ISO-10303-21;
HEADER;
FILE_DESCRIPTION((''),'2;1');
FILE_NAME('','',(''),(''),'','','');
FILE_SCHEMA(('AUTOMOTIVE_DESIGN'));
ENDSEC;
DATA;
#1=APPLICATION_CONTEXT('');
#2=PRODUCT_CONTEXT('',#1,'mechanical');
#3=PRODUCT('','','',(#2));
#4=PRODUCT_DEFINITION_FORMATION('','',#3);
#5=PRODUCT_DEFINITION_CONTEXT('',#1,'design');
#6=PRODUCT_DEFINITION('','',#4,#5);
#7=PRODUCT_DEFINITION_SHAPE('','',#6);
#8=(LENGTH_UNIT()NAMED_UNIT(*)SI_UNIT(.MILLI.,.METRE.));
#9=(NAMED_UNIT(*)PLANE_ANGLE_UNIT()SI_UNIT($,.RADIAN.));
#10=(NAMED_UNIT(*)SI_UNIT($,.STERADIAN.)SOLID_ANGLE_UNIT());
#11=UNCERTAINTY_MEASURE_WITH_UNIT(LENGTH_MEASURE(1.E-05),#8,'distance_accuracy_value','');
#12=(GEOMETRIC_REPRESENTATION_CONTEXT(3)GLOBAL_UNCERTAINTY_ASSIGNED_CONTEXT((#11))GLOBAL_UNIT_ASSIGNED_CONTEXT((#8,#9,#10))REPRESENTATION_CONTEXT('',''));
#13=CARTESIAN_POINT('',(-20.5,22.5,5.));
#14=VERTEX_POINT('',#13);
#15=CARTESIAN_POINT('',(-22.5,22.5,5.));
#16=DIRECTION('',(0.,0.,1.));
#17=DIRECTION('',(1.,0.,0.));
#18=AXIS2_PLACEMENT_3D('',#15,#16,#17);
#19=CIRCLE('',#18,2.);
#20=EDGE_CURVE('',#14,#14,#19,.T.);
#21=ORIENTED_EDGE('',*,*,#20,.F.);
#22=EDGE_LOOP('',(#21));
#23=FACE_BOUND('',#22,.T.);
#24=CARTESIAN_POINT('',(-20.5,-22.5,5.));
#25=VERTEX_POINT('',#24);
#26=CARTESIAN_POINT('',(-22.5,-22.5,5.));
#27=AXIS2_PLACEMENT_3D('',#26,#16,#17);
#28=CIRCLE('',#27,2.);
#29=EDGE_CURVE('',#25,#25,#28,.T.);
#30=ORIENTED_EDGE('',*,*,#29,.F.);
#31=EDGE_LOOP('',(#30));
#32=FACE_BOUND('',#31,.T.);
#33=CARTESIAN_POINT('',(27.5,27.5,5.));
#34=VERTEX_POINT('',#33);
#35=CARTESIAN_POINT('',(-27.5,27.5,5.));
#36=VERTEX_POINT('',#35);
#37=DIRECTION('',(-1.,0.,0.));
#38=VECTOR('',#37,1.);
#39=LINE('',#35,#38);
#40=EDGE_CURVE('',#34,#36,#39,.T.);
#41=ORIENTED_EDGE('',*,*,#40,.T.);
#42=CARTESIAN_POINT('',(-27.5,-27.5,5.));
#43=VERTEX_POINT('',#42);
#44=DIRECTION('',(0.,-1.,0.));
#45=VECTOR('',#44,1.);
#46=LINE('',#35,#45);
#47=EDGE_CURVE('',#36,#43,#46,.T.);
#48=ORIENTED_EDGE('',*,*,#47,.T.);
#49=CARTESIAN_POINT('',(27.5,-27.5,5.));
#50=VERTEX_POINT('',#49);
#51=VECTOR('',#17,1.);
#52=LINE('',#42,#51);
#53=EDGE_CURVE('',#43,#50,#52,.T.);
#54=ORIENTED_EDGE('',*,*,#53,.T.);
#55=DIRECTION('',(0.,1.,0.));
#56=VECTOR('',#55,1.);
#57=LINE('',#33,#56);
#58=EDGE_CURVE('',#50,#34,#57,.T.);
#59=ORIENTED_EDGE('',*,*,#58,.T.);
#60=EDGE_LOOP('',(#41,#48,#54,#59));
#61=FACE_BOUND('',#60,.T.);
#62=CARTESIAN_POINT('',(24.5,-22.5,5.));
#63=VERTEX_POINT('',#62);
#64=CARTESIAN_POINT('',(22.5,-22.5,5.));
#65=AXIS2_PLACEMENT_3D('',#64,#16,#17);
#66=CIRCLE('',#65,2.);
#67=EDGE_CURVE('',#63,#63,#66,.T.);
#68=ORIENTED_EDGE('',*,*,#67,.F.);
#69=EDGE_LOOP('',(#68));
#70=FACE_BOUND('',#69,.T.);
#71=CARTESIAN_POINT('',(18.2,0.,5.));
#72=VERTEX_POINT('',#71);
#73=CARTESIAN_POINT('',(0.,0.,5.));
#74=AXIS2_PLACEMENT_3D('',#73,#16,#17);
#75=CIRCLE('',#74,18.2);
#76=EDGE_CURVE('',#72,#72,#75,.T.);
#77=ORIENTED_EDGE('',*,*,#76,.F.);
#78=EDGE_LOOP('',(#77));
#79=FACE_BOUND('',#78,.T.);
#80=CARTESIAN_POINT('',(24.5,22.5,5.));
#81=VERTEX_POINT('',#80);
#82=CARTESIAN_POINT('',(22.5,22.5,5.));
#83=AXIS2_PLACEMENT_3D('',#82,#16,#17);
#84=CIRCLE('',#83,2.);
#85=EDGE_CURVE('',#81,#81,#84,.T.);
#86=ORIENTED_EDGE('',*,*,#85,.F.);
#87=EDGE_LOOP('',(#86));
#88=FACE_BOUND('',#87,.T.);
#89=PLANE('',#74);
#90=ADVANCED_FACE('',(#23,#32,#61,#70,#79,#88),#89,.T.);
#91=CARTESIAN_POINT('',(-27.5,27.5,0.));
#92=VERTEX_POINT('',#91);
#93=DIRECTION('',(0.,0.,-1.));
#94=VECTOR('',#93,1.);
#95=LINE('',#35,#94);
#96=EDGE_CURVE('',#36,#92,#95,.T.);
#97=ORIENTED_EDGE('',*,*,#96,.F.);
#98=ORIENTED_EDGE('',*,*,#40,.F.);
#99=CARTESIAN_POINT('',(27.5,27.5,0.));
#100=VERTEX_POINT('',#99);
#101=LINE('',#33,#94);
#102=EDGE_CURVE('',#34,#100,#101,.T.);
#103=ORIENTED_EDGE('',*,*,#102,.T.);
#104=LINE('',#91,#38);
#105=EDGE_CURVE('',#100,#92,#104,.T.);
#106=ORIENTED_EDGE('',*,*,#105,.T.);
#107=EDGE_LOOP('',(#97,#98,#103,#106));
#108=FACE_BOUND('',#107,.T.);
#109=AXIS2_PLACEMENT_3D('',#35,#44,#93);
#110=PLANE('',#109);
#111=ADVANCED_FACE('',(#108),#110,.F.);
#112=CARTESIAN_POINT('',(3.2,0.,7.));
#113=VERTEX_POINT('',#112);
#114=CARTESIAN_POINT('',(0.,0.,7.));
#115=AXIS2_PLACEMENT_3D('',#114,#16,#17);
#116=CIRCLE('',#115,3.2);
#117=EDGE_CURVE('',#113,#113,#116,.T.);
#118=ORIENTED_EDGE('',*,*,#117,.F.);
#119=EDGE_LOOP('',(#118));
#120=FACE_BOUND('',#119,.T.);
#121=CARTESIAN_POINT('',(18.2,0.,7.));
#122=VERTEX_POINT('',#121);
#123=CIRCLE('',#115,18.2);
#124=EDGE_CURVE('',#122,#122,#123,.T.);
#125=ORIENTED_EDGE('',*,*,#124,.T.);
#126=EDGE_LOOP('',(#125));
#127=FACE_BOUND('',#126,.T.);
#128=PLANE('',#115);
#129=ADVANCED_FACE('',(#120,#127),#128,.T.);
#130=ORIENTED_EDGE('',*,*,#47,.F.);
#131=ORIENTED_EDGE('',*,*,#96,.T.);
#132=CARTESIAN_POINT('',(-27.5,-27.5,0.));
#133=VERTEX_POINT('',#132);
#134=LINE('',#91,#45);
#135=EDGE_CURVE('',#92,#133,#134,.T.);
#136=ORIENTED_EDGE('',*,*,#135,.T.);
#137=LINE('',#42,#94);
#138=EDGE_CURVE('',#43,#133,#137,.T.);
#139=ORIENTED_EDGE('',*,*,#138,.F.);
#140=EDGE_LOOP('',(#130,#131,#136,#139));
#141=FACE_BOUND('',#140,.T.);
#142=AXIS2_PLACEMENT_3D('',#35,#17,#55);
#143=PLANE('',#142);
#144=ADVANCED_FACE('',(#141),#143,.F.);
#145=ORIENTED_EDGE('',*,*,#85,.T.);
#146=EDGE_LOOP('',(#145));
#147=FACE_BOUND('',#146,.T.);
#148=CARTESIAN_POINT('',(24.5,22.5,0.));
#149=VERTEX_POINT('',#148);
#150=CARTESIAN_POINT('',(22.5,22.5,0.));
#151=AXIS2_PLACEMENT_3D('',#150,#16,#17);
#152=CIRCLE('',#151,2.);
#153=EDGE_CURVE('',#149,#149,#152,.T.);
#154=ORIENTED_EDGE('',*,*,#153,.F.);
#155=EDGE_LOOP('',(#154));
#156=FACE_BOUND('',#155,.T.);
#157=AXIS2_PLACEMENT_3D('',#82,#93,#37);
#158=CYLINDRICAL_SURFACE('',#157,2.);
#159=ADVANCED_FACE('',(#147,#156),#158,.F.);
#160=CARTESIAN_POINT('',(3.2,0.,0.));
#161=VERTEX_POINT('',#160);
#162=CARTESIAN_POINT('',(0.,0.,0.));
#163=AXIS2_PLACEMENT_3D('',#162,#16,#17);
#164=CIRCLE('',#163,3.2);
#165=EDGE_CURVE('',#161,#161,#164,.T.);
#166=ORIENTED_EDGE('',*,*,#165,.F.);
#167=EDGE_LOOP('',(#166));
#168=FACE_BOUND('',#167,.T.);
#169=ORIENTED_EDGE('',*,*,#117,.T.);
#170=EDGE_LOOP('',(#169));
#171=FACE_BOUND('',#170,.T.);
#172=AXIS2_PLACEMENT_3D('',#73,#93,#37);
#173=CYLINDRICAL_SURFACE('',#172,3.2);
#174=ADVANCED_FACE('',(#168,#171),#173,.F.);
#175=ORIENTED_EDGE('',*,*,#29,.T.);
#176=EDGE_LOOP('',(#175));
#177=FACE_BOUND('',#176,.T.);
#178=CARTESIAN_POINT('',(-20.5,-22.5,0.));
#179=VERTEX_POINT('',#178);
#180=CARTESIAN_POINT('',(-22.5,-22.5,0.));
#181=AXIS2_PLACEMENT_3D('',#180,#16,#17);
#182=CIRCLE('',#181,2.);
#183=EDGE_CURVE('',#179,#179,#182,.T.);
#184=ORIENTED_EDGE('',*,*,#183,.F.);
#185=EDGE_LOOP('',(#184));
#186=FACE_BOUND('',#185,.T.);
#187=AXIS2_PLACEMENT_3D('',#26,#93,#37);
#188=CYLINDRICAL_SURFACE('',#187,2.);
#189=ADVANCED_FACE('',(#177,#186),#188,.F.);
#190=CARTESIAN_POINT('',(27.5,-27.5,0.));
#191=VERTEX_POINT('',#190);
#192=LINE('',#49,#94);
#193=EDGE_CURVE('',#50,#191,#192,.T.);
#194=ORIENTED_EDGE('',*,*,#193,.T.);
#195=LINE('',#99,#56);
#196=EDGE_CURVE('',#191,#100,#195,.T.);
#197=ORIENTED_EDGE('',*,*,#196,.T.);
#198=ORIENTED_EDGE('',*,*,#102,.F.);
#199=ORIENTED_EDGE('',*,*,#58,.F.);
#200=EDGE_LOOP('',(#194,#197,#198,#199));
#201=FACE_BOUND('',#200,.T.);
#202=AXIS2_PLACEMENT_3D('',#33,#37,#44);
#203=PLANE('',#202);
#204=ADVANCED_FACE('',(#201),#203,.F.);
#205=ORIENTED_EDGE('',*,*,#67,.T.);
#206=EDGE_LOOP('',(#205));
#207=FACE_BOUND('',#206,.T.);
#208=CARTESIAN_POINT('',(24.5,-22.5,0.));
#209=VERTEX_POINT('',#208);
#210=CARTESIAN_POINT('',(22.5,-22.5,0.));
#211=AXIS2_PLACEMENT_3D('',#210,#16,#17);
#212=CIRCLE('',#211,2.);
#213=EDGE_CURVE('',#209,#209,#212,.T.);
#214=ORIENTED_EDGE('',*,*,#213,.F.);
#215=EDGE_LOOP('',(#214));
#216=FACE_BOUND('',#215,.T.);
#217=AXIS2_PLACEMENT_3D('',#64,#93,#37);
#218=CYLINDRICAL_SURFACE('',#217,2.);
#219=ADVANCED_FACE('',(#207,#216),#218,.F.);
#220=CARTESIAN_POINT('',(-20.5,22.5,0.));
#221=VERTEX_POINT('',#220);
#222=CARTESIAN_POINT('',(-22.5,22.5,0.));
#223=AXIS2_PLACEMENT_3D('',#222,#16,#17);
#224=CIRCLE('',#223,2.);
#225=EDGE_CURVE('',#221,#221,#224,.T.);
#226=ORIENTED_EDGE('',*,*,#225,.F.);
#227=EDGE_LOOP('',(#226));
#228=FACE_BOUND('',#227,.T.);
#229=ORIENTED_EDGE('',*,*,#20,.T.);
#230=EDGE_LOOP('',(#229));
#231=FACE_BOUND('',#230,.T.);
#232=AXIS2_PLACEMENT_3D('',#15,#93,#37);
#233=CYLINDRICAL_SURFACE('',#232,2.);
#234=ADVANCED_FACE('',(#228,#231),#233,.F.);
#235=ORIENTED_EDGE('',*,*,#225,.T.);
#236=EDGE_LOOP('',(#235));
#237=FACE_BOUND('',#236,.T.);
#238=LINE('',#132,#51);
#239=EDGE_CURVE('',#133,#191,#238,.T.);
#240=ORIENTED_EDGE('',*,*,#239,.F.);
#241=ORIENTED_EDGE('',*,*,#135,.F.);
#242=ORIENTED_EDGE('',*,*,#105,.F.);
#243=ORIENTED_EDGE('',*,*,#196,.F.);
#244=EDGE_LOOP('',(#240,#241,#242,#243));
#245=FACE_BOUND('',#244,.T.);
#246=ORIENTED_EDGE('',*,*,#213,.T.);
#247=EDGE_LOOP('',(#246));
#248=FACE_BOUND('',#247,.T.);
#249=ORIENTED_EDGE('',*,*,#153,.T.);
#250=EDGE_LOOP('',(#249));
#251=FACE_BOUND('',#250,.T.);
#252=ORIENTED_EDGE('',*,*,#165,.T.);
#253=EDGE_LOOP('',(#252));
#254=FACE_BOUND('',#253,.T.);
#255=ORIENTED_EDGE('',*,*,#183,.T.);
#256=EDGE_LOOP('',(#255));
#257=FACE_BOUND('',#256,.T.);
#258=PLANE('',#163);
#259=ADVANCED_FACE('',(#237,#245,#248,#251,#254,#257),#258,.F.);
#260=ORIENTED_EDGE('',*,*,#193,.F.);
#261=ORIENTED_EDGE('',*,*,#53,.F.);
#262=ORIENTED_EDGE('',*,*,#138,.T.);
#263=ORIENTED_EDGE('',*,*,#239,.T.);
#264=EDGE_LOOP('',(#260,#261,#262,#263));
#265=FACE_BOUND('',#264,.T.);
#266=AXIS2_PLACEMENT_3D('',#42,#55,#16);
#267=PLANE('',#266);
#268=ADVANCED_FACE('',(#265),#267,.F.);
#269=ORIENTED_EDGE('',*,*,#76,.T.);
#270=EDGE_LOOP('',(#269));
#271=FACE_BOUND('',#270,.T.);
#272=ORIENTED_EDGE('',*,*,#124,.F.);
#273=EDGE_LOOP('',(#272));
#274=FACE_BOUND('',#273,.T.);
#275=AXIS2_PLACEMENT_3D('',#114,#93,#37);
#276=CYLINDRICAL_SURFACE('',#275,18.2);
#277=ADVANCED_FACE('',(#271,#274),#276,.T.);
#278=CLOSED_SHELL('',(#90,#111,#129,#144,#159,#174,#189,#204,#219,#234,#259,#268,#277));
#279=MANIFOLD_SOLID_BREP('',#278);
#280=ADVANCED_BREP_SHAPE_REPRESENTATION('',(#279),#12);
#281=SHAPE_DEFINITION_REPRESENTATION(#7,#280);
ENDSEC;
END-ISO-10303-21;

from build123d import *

# Parameters (mm, degrees)
SKETCH1_W           = 55
SKETCH1_H           = 55
SKETCH1_R           = 3.2
SKETCH1_R_2         = 2
BOSS_EXTRUDE1_DEPTH = 5
SKETCH2_R           = 18.2
SKETCH2_R_2         = 3.2
BOSS_EXTRUDE2_DEPTH = 2


with BuildPart() as part:
    # Sketch1 → Boss-Extrude1 (new body)
    with BuildSketch(Plane.XY):
        Rectangle(SKETCH1_W, SKETCH1_H)
        Circle(SKETCH1_R, mode=Mode.SUBTRACT)
        with Locations((-22.5, 22.5)):
            Circle(SKETCH1_R_2, mode=Mode.SUBTRACT)
        with Locations((22.5, 22.5)):
            Circle(SKETCH1_R_2, mode=Mode.SUBTRACT)
        with Locations((-22.5, -22.5)):
            Circle(SKETCH1_R_2, mode=Mode.SUBTRACT)
        with Locations((22.5, -22.5)):
            Circle(SKETCH1_R_2, mode=Mode.SUBTRACT)
    extrude(amount=BOSS_EXTRUDE1_DEPTH)

    # Sketch2 → Boss-Extrude2 (add)
    with BuildSketch(Plane.XY.offset(5)):
        Circle(SKETCH2_R)
        Circle(SKETCH2_R_2, mode=Mode.SUBTRACT)
    extrude(amount=BOSS_EXTRUDE2_DEPTH)


solid = part.part
